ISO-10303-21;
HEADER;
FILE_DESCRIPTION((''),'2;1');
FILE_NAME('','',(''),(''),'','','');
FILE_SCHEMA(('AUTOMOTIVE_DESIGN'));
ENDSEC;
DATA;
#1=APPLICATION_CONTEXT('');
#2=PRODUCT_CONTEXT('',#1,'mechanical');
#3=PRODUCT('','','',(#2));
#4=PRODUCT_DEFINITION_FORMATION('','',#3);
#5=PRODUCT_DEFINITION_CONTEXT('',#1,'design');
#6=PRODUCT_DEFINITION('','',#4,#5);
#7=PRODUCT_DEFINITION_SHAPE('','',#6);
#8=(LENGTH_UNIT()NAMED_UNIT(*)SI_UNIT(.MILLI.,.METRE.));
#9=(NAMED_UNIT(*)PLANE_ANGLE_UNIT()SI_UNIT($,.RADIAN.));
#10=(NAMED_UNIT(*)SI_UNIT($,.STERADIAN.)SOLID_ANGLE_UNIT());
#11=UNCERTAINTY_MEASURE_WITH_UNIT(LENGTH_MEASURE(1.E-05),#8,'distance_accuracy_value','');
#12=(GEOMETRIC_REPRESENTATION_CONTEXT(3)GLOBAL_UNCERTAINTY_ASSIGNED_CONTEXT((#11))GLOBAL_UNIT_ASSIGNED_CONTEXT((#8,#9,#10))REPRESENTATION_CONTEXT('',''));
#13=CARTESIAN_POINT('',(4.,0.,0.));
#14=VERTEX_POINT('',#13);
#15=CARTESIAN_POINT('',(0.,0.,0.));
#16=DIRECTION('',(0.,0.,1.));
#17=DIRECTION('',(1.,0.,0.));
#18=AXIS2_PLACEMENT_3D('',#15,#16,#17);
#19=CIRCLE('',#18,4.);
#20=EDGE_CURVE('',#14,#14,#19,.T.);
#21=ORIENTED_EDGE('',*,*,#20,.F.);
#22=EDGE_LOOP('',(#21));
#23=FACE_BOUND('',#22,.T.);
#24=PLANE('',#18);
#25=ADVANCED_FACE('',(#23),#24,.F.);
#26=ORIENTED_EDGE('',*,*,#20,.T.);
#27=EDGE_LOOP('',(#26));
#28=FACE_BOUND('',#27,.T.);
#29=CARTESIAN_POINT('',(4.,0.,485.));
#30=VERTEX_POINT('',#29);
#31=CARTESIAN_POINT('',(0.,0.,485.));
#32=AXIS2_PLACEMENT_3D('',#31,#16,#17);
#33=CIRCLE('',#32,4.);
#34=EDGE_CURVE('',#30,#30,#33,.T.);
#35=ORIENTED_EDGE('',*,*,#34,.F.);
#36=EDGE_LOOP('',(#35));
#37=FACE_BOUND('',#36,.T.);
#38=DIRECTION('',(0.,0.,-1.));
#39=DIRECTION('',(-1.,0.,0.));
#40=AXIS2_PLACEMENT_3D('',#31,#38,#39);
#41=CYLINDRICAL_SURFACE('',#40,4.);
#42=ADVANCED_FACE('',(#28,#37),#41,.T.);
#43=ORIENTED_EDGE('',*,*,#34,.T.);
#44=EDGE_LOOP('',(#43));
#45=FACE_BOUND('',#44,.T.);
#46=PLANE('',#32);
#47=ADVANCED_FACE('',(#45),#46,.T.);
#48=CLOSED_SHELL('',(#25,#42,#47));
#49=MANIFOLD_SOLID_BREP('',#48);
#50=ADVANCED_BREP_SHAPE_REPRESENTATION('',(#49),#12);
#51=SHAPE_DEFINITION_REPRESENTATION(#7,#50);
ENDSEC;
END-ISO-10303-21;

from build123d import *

# Parameters (mm, degrees)
SKETCH1_R           = 4
BOSS_EXTRUDE1_DEPTH = 485


with BuildPart() as part:
    # Sketch1 → Boss-Extrude1 (new body)
    with BuildSketch(Plane.XY):
        Circle(SKETCH1_R)
    extrude(amount=BOSS_EXTRUDE1_DEPTH)


solid = part.part
